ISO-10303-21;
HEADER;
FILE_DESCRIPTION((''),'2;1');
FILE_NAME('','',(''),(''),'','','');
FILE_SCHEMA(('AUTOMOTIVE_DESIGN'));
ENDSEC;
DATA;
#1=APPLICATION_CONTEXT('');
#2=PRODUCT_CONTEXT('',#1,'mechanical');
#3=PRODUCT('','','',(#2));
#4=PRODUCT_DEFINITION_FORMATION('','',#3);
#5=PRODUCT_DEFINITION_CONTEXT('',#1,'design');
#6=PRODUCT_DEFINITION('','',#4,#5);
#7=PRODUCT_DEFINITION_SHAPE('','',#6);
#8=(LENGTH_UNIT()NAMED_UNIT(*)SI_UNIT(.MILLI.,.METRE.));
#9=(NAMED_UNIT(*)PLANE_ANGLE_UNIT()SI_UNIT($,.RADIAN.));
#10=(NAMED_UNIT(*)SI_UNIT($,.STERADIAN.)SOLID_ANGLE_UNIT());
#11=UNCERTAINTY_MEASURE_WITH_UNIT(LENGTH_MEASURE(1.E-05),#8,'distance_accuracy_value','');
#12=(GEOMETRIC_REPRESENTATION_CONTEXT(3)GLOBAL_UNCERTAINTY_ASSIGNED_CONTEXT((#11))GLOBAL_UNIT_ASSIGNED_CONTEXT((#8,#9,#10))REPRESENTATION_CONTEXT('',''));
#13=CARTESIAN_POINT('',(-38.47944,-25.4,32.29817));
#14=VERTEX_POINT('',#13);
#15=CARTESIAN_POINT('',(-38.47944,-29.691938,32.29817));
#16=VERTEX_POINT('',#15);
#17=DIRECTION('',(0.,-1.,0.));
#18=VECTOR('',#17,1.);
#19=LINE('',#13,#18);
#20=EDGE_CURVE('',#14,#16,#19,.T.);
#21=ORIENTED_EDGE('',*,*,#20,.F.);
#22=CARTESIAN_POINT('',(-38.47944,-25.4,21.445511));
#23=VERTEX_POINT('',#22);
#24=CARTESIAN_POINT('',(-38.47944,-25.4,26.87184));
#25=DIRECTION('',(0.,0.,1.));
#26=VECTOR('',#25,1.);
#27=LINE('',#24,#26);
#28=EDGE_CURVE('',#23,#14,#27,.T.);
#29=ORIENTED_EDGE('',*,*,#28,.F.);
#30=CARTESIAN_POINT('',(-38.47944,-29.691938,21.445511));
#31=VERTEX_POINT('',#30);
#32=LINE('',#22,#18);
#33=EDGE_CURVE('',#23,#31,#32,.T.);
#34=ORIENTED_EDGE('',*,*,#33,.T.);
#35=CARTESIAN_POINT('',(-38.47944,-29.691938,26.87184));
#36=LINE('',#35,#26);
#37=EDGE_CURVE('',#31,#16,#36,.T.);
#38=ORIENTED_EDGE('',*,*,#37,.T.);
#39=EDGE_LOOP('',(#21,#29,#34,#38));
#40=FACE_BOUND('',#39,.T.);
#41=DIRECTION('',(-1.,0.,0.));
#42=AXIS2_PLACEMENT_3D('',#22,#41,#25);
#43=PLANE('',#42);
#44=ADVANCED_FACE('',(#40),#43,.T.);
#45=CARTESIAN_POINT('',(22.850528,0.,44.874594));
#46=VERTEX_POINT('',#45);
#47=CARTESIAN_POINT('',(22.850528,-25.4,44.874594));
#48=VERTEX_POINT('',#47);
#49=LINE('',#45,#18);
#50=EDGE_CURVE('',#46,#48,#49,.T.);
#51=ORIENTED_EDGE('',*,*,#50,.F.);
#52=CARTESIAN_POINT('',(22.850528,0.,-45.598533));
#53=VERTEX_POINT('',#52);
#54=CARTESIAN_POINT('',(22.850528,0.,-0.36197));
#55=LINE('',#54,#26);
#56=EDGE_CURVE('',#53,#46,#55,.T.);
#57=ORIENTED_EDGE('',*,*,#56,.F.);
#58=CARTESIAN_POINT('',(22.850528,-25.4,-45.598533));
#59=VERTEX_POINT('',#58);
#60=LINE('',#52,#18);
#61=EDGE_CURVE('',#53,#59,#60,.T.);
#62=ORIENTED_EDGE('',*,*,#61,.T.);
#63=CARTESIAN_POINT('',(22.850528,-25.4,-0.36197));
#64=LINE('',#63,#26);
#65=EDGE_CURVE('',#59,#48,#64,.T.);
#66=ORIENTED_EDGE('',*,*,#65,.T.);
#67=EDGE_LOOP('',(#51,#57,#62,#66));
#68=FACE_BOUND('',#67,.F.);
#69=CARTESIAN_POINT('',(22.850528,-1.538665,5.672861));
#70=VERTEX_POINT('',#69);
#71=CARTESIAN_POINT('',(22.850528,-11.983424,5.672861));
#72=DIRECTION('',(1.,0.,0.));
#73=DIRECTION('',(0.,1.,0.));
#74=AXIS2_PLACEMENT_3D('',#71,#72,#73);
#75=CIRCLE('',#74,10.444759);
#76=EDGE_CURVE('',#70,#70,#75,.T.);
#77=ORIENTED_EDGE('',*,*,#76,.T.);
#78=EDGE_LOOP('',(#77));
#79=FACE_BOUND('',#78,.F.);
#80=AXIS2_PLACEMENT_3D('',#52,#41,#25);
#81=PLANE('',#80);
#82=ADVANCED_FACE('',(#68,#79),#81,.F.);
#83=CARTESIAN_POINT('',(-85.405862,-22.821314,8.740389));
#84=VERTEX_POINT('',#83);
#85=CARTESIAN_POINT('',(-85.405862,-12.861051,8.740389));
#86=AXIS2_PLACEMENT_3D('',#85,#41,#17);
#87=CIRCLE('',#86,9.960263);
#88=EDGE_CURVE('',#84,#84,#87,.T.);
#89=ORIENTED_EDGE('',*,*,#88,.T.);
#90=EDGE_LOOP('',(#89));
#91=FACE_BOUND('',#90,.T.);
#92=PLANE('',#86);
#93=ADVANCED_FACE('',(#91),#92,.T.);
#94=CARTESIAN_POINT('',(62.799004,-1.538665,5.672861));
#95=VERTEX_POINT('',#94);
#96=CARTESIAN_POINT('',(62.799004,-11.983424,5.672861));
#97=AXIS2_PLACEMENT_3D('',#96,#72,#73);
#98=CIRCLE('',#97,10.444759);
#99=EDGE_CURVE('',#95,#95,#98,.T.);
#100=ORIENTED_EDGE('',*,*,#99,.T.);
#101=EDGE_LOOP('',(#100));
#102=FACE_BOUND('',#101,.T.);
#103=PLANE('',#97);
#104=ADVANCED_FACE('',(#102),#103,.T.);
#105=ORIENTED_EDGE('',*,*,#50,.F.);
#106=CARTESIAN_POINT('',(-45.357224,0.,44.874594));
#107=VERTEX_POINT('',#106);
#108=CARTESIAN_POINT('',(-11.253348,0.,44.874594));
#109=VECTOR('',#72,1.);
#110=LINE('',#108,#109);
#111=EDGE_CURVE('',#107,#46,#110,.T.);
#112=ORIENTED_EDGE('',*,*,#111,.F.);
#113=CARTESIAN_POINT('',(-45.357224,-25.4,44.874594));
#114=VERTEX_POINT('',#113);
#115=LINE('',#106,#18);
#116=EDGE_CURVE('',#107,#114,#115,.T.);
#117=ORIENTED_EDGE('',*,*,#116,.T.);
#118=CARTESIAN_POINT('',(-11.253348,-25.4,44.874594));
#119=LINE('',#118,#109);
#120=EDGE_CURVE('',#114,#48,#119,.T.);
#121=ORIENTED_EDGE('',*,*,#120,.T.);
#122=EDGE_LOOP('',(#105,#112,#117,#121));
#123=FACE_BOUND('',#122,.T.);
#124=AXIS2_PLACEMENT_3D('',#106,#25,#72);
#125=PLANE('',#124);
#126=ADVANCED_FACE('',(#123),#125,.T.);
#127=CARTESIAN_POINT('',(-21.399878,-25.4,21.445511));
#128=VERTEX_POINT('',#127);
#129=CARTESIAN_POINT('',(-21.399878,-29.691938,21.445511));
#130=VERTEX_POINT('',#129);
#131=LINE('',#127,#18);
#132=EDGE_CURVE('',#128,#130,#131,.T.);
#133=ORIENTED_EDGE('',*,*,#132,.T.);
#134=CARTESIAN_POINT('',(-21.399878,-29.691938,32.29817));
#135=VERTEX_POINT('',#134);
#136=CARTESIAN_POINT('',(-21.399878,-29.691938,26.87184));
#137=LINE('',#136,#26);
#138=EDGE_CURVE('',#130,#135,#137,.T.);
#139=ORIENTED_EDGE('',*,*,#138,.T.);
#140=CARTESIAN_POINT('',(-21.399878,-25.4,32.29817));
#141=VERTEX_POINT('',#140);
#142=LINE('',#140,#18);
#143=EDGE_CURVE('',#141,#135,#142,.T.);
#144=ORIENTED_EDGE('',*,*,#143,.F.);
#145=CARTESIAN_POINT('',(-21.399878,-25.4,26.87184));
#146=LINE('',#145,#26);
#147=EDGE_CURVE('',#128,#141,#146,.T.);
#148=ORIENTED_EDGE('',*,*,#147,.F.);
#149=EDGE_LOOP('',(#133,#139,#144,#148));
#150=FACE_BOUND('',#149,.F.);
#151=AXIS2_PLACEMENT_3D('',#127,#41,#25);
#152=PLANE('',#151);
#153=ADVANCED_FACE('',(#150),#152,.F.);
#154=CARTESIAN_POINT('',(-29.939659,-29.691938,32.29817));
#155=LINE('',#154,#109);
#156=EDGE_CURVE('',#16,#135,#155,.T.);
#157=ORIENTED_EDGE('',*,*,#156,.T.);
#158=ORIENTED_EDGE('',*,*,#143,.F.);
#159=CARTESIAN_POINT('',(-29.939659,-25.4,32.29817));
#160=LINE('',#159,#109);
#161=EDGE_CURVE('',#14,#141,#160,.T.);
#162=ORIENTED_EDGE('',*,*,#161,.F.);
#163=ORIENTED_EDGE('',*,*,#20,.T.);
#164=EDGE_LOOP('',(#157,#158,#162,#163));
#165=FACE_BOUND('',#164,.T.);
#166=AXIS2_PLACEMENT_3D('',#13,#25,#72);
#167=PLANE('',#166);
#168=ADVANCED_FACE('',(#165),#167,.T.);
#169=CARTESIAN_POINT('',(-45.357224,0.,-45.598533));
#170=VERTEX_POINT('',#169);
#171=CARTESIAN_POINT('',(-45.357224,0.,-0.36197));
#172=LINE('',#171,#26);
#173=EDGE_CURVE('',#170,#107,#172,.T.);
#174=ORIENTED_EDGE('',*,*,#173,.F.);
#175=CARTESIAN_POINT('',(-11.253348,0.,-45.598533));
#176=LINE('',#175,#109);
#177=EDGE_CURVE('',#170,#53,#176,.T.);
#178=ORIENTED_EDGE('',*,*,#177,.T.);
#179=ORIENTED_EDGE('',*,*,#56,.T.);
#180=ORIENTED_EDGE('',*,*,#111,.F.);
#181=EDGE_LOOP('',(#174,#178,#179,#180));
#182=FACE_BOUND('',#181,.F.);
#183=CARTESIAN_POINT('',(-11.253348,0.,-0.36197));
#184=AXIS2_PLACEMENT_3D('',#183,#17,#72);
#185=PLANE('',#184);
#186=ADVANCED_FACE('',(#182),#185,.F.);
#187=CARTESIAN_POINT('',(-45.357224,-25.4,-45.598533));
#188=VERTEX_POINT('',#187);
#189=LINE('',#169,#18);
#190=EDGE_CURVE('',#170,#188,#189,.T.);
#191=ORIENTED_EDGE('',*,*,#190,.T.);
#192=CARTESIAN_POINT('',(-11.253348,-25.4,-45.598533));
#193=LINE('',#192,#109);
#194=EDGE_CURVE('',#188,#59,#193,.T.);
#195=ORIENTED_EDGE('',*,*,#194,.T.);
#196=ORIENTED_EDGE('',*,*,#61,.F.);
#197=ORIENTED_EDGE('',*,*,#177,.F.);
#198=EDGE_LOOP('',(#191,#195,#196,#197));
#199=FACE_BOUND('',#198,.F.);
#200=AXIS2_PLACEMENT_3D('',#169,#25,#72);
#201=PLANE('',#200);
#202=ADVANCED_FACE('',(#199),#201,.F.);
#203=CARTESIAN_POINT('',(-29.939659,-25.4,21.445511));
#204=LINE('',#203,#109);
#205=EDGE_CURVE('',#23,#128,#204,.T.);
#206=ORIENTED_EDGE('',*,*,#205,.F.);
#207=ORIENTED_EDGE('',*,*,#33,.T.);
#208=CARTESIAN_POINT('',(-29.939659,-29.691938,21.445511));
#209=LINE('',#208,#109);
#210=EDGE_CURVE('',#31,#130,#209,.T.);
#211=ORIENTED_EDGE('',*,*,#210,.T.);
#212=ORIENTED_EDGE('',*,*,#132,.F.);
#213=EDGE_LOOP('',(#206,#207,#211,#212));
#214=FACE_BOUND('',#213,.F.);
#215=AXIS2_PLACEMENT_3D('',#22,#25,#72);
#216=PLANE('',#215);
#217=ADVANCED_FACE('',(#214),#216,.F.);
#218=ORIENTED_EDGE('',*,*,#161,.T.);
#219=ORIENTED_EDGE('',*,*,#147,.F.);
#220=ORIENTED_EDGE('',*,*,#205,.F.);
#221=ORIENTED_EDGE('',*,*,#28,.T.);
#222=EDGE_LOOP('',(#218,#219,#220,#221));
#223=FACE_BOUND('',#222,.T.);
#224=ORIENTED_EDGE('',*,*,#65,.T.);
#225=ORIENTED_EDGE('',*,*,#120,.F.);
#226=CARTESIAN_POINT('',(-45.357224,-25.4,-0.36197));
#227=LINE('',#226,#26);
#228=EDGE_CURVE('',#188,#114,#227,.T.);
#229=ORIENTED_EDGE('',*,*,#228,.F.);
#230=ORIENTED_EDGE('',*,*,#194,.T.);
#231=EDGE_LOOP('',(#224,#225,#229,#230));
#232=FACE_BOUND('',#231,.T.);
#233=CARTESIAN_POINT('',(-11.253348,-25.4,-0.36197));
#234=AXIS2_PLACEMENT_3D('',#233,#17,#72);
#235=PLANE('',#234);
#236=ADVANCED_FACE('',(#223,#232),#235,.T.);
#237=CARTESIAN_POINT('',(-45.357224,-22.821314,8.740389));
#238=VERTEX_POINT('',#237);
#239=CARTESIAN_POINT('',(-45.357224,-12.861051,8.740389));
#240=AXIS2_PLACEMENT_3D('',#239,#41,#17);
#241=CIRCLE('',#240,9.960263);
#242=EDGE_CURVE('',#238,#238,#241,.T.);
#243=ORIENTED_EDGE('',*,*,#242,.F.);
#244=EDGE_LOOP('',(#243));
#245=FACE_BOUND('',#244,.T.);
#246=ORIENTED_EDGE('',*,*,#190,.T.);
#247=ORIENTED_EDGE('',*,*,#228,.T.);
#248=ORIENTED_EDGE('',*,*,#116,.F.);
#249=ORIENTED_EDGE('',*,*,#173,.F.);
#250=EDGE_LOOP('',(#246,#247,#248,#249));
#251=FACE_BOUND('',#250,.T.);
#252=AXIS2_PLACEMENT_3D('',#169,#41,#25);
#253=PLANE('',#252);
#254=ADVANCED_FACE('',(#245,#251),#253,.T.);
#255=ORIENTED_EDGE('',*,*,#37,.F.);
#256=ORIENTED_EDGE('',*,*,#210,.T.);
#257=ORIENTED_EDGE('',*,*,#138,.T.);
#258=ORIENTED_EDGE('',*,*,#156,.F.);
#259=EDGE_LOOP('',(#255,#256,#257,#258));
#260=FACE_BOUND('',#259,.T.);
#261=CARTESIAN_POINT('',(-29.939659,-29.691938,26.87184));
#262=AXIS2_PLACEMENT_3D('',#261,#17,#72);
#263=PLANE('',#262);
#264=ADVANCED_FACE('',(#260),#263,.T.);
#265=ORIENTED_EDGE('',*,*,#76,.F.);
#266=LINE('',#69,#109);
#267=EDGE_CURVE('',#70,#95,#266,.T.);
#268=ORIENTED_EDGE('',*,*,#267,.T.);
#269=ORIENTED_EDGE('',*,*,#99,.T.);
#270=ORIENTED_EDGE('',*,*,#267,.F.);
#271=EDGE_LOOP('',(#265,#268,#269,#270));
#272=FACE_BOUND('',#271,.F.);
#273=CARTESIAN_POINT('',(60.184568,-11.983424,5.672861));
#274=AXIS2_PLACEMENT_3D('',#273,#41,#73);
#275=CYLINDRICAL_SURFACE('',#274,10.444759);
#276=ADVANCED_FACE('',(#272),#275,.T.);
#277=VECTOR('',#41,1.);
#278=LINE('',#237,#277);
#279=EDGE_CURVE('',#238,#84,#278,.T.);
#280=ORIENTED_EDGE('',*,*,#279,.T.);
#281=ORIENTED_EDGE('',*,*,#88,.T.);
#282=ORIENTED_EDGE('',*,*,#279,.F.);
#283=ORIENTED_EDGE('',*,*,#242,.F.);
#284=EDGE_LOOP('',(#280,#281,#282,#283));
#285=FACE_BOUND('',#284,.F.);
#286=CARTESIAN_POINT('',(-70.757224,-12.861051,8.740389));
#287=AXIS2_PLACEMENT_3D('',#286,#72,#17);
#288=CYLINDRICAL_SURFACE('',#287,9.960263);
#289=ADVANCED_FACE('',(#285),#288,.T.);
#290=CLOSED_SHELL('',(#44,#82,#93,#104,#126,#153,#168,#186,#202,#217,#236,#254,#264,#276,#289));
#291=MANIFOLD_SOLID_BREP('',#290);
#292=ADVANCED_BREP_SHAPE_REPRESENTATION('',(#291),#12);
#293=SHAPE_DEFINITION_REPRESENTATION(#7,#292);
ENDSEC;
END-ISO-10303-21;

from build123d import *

# Parameters (mm, degrees)
F0_W      = 68.2077519596
F0_H      = 90.4731266201
F1_DEPTH  = 25.4
F2_R      = 10.4447594079
F3_DEPTH  = 30.0825480372
F4_R      = 9.9602632564
F5_DEPTH  = 25.4
F6_DEPTH  = 14.6486386657
F7_DEPTH  = 77.0113542676
F8_DEPTH  = 7.2514917701
F9_DEPTH  = 2.6144357398
F10_W     = 17.0795619488
F10_H     = 10.8526591212
F11_DEPTH = 4.2919376865


with BuildPart() as f1:
    # F0 (on Front) → F1 (new body)
    with BuildSketch(Plane.XZ):
        with Locations((-11.2533476204, -0.3619696945)):
            Rectangle(F0_W, F0_H)
    extrude(amount=F1_DEPTH)

    # F2 (on face) → F3 (join)
    with BuildSketch(Plane.YZ.offset(22.8505283594)):
        with Locations((-11.9834244251, 5.6728608906)):
            Circle(F2_R)
    extrude(amount=F3_DEPTH)

    # F4 (on face) → F5 (join)
    with BuildSketch(Plane(origin=(-45.3572236001, 0, 0), x_dir=(0, -1, 0), z_dir=(-1, 0, 0))):
        with Locations((12.8610506654, 8.7403887883)):
            Circle(F4_R)
    extrude(amount=F5_DEPTH)

    # F6 (add): a face of the model
    f6_faces = [f1.faces().sort_by_distance(p)[0] for p in [
        (-70.7572236001, -12.8610506654, 8.7403887883),
    ]]
    extrude(f6_faces, amount=F6_DEPTH)

    # F7 (add): a face of the model
    f7_faces = [f1.faces().sort_by_distance(p)[0] for p in [
        (-85.4058622658, -12.8610506654, 8.7403887883),
    ]]
    extrude(f7_faces, amount=-F7_DEPTH)

    # F8 (add): a face of the model
    f8_faces = [f1.faces().sort_by_distance(p)[0] for p in [
        (52.9330763966, -11.9834244251, 5.6728608906),
    ]]
    extrude(f8_faces, amount=F8_DEPTH)

    # F9 (add): a face of the model
    f9_faces = [f1.faces().sort_by_distance(p)[0] for p in [
        (60.1845681667, -11.9834244251, 5.6728608906),
    ]]
    extrude(f9_faces, amount=F9_DEPTH)

    # F10 (on face) → F11 (join)
    with BuildSketch(Plane.XZ.offset(25.4)):
        with Locations((-29.9396589398, 26.8718404695)):
            Rectangle(F10_W, F10_H)
    extrude(amount=F11_DEPTH)


solid = f1.part
